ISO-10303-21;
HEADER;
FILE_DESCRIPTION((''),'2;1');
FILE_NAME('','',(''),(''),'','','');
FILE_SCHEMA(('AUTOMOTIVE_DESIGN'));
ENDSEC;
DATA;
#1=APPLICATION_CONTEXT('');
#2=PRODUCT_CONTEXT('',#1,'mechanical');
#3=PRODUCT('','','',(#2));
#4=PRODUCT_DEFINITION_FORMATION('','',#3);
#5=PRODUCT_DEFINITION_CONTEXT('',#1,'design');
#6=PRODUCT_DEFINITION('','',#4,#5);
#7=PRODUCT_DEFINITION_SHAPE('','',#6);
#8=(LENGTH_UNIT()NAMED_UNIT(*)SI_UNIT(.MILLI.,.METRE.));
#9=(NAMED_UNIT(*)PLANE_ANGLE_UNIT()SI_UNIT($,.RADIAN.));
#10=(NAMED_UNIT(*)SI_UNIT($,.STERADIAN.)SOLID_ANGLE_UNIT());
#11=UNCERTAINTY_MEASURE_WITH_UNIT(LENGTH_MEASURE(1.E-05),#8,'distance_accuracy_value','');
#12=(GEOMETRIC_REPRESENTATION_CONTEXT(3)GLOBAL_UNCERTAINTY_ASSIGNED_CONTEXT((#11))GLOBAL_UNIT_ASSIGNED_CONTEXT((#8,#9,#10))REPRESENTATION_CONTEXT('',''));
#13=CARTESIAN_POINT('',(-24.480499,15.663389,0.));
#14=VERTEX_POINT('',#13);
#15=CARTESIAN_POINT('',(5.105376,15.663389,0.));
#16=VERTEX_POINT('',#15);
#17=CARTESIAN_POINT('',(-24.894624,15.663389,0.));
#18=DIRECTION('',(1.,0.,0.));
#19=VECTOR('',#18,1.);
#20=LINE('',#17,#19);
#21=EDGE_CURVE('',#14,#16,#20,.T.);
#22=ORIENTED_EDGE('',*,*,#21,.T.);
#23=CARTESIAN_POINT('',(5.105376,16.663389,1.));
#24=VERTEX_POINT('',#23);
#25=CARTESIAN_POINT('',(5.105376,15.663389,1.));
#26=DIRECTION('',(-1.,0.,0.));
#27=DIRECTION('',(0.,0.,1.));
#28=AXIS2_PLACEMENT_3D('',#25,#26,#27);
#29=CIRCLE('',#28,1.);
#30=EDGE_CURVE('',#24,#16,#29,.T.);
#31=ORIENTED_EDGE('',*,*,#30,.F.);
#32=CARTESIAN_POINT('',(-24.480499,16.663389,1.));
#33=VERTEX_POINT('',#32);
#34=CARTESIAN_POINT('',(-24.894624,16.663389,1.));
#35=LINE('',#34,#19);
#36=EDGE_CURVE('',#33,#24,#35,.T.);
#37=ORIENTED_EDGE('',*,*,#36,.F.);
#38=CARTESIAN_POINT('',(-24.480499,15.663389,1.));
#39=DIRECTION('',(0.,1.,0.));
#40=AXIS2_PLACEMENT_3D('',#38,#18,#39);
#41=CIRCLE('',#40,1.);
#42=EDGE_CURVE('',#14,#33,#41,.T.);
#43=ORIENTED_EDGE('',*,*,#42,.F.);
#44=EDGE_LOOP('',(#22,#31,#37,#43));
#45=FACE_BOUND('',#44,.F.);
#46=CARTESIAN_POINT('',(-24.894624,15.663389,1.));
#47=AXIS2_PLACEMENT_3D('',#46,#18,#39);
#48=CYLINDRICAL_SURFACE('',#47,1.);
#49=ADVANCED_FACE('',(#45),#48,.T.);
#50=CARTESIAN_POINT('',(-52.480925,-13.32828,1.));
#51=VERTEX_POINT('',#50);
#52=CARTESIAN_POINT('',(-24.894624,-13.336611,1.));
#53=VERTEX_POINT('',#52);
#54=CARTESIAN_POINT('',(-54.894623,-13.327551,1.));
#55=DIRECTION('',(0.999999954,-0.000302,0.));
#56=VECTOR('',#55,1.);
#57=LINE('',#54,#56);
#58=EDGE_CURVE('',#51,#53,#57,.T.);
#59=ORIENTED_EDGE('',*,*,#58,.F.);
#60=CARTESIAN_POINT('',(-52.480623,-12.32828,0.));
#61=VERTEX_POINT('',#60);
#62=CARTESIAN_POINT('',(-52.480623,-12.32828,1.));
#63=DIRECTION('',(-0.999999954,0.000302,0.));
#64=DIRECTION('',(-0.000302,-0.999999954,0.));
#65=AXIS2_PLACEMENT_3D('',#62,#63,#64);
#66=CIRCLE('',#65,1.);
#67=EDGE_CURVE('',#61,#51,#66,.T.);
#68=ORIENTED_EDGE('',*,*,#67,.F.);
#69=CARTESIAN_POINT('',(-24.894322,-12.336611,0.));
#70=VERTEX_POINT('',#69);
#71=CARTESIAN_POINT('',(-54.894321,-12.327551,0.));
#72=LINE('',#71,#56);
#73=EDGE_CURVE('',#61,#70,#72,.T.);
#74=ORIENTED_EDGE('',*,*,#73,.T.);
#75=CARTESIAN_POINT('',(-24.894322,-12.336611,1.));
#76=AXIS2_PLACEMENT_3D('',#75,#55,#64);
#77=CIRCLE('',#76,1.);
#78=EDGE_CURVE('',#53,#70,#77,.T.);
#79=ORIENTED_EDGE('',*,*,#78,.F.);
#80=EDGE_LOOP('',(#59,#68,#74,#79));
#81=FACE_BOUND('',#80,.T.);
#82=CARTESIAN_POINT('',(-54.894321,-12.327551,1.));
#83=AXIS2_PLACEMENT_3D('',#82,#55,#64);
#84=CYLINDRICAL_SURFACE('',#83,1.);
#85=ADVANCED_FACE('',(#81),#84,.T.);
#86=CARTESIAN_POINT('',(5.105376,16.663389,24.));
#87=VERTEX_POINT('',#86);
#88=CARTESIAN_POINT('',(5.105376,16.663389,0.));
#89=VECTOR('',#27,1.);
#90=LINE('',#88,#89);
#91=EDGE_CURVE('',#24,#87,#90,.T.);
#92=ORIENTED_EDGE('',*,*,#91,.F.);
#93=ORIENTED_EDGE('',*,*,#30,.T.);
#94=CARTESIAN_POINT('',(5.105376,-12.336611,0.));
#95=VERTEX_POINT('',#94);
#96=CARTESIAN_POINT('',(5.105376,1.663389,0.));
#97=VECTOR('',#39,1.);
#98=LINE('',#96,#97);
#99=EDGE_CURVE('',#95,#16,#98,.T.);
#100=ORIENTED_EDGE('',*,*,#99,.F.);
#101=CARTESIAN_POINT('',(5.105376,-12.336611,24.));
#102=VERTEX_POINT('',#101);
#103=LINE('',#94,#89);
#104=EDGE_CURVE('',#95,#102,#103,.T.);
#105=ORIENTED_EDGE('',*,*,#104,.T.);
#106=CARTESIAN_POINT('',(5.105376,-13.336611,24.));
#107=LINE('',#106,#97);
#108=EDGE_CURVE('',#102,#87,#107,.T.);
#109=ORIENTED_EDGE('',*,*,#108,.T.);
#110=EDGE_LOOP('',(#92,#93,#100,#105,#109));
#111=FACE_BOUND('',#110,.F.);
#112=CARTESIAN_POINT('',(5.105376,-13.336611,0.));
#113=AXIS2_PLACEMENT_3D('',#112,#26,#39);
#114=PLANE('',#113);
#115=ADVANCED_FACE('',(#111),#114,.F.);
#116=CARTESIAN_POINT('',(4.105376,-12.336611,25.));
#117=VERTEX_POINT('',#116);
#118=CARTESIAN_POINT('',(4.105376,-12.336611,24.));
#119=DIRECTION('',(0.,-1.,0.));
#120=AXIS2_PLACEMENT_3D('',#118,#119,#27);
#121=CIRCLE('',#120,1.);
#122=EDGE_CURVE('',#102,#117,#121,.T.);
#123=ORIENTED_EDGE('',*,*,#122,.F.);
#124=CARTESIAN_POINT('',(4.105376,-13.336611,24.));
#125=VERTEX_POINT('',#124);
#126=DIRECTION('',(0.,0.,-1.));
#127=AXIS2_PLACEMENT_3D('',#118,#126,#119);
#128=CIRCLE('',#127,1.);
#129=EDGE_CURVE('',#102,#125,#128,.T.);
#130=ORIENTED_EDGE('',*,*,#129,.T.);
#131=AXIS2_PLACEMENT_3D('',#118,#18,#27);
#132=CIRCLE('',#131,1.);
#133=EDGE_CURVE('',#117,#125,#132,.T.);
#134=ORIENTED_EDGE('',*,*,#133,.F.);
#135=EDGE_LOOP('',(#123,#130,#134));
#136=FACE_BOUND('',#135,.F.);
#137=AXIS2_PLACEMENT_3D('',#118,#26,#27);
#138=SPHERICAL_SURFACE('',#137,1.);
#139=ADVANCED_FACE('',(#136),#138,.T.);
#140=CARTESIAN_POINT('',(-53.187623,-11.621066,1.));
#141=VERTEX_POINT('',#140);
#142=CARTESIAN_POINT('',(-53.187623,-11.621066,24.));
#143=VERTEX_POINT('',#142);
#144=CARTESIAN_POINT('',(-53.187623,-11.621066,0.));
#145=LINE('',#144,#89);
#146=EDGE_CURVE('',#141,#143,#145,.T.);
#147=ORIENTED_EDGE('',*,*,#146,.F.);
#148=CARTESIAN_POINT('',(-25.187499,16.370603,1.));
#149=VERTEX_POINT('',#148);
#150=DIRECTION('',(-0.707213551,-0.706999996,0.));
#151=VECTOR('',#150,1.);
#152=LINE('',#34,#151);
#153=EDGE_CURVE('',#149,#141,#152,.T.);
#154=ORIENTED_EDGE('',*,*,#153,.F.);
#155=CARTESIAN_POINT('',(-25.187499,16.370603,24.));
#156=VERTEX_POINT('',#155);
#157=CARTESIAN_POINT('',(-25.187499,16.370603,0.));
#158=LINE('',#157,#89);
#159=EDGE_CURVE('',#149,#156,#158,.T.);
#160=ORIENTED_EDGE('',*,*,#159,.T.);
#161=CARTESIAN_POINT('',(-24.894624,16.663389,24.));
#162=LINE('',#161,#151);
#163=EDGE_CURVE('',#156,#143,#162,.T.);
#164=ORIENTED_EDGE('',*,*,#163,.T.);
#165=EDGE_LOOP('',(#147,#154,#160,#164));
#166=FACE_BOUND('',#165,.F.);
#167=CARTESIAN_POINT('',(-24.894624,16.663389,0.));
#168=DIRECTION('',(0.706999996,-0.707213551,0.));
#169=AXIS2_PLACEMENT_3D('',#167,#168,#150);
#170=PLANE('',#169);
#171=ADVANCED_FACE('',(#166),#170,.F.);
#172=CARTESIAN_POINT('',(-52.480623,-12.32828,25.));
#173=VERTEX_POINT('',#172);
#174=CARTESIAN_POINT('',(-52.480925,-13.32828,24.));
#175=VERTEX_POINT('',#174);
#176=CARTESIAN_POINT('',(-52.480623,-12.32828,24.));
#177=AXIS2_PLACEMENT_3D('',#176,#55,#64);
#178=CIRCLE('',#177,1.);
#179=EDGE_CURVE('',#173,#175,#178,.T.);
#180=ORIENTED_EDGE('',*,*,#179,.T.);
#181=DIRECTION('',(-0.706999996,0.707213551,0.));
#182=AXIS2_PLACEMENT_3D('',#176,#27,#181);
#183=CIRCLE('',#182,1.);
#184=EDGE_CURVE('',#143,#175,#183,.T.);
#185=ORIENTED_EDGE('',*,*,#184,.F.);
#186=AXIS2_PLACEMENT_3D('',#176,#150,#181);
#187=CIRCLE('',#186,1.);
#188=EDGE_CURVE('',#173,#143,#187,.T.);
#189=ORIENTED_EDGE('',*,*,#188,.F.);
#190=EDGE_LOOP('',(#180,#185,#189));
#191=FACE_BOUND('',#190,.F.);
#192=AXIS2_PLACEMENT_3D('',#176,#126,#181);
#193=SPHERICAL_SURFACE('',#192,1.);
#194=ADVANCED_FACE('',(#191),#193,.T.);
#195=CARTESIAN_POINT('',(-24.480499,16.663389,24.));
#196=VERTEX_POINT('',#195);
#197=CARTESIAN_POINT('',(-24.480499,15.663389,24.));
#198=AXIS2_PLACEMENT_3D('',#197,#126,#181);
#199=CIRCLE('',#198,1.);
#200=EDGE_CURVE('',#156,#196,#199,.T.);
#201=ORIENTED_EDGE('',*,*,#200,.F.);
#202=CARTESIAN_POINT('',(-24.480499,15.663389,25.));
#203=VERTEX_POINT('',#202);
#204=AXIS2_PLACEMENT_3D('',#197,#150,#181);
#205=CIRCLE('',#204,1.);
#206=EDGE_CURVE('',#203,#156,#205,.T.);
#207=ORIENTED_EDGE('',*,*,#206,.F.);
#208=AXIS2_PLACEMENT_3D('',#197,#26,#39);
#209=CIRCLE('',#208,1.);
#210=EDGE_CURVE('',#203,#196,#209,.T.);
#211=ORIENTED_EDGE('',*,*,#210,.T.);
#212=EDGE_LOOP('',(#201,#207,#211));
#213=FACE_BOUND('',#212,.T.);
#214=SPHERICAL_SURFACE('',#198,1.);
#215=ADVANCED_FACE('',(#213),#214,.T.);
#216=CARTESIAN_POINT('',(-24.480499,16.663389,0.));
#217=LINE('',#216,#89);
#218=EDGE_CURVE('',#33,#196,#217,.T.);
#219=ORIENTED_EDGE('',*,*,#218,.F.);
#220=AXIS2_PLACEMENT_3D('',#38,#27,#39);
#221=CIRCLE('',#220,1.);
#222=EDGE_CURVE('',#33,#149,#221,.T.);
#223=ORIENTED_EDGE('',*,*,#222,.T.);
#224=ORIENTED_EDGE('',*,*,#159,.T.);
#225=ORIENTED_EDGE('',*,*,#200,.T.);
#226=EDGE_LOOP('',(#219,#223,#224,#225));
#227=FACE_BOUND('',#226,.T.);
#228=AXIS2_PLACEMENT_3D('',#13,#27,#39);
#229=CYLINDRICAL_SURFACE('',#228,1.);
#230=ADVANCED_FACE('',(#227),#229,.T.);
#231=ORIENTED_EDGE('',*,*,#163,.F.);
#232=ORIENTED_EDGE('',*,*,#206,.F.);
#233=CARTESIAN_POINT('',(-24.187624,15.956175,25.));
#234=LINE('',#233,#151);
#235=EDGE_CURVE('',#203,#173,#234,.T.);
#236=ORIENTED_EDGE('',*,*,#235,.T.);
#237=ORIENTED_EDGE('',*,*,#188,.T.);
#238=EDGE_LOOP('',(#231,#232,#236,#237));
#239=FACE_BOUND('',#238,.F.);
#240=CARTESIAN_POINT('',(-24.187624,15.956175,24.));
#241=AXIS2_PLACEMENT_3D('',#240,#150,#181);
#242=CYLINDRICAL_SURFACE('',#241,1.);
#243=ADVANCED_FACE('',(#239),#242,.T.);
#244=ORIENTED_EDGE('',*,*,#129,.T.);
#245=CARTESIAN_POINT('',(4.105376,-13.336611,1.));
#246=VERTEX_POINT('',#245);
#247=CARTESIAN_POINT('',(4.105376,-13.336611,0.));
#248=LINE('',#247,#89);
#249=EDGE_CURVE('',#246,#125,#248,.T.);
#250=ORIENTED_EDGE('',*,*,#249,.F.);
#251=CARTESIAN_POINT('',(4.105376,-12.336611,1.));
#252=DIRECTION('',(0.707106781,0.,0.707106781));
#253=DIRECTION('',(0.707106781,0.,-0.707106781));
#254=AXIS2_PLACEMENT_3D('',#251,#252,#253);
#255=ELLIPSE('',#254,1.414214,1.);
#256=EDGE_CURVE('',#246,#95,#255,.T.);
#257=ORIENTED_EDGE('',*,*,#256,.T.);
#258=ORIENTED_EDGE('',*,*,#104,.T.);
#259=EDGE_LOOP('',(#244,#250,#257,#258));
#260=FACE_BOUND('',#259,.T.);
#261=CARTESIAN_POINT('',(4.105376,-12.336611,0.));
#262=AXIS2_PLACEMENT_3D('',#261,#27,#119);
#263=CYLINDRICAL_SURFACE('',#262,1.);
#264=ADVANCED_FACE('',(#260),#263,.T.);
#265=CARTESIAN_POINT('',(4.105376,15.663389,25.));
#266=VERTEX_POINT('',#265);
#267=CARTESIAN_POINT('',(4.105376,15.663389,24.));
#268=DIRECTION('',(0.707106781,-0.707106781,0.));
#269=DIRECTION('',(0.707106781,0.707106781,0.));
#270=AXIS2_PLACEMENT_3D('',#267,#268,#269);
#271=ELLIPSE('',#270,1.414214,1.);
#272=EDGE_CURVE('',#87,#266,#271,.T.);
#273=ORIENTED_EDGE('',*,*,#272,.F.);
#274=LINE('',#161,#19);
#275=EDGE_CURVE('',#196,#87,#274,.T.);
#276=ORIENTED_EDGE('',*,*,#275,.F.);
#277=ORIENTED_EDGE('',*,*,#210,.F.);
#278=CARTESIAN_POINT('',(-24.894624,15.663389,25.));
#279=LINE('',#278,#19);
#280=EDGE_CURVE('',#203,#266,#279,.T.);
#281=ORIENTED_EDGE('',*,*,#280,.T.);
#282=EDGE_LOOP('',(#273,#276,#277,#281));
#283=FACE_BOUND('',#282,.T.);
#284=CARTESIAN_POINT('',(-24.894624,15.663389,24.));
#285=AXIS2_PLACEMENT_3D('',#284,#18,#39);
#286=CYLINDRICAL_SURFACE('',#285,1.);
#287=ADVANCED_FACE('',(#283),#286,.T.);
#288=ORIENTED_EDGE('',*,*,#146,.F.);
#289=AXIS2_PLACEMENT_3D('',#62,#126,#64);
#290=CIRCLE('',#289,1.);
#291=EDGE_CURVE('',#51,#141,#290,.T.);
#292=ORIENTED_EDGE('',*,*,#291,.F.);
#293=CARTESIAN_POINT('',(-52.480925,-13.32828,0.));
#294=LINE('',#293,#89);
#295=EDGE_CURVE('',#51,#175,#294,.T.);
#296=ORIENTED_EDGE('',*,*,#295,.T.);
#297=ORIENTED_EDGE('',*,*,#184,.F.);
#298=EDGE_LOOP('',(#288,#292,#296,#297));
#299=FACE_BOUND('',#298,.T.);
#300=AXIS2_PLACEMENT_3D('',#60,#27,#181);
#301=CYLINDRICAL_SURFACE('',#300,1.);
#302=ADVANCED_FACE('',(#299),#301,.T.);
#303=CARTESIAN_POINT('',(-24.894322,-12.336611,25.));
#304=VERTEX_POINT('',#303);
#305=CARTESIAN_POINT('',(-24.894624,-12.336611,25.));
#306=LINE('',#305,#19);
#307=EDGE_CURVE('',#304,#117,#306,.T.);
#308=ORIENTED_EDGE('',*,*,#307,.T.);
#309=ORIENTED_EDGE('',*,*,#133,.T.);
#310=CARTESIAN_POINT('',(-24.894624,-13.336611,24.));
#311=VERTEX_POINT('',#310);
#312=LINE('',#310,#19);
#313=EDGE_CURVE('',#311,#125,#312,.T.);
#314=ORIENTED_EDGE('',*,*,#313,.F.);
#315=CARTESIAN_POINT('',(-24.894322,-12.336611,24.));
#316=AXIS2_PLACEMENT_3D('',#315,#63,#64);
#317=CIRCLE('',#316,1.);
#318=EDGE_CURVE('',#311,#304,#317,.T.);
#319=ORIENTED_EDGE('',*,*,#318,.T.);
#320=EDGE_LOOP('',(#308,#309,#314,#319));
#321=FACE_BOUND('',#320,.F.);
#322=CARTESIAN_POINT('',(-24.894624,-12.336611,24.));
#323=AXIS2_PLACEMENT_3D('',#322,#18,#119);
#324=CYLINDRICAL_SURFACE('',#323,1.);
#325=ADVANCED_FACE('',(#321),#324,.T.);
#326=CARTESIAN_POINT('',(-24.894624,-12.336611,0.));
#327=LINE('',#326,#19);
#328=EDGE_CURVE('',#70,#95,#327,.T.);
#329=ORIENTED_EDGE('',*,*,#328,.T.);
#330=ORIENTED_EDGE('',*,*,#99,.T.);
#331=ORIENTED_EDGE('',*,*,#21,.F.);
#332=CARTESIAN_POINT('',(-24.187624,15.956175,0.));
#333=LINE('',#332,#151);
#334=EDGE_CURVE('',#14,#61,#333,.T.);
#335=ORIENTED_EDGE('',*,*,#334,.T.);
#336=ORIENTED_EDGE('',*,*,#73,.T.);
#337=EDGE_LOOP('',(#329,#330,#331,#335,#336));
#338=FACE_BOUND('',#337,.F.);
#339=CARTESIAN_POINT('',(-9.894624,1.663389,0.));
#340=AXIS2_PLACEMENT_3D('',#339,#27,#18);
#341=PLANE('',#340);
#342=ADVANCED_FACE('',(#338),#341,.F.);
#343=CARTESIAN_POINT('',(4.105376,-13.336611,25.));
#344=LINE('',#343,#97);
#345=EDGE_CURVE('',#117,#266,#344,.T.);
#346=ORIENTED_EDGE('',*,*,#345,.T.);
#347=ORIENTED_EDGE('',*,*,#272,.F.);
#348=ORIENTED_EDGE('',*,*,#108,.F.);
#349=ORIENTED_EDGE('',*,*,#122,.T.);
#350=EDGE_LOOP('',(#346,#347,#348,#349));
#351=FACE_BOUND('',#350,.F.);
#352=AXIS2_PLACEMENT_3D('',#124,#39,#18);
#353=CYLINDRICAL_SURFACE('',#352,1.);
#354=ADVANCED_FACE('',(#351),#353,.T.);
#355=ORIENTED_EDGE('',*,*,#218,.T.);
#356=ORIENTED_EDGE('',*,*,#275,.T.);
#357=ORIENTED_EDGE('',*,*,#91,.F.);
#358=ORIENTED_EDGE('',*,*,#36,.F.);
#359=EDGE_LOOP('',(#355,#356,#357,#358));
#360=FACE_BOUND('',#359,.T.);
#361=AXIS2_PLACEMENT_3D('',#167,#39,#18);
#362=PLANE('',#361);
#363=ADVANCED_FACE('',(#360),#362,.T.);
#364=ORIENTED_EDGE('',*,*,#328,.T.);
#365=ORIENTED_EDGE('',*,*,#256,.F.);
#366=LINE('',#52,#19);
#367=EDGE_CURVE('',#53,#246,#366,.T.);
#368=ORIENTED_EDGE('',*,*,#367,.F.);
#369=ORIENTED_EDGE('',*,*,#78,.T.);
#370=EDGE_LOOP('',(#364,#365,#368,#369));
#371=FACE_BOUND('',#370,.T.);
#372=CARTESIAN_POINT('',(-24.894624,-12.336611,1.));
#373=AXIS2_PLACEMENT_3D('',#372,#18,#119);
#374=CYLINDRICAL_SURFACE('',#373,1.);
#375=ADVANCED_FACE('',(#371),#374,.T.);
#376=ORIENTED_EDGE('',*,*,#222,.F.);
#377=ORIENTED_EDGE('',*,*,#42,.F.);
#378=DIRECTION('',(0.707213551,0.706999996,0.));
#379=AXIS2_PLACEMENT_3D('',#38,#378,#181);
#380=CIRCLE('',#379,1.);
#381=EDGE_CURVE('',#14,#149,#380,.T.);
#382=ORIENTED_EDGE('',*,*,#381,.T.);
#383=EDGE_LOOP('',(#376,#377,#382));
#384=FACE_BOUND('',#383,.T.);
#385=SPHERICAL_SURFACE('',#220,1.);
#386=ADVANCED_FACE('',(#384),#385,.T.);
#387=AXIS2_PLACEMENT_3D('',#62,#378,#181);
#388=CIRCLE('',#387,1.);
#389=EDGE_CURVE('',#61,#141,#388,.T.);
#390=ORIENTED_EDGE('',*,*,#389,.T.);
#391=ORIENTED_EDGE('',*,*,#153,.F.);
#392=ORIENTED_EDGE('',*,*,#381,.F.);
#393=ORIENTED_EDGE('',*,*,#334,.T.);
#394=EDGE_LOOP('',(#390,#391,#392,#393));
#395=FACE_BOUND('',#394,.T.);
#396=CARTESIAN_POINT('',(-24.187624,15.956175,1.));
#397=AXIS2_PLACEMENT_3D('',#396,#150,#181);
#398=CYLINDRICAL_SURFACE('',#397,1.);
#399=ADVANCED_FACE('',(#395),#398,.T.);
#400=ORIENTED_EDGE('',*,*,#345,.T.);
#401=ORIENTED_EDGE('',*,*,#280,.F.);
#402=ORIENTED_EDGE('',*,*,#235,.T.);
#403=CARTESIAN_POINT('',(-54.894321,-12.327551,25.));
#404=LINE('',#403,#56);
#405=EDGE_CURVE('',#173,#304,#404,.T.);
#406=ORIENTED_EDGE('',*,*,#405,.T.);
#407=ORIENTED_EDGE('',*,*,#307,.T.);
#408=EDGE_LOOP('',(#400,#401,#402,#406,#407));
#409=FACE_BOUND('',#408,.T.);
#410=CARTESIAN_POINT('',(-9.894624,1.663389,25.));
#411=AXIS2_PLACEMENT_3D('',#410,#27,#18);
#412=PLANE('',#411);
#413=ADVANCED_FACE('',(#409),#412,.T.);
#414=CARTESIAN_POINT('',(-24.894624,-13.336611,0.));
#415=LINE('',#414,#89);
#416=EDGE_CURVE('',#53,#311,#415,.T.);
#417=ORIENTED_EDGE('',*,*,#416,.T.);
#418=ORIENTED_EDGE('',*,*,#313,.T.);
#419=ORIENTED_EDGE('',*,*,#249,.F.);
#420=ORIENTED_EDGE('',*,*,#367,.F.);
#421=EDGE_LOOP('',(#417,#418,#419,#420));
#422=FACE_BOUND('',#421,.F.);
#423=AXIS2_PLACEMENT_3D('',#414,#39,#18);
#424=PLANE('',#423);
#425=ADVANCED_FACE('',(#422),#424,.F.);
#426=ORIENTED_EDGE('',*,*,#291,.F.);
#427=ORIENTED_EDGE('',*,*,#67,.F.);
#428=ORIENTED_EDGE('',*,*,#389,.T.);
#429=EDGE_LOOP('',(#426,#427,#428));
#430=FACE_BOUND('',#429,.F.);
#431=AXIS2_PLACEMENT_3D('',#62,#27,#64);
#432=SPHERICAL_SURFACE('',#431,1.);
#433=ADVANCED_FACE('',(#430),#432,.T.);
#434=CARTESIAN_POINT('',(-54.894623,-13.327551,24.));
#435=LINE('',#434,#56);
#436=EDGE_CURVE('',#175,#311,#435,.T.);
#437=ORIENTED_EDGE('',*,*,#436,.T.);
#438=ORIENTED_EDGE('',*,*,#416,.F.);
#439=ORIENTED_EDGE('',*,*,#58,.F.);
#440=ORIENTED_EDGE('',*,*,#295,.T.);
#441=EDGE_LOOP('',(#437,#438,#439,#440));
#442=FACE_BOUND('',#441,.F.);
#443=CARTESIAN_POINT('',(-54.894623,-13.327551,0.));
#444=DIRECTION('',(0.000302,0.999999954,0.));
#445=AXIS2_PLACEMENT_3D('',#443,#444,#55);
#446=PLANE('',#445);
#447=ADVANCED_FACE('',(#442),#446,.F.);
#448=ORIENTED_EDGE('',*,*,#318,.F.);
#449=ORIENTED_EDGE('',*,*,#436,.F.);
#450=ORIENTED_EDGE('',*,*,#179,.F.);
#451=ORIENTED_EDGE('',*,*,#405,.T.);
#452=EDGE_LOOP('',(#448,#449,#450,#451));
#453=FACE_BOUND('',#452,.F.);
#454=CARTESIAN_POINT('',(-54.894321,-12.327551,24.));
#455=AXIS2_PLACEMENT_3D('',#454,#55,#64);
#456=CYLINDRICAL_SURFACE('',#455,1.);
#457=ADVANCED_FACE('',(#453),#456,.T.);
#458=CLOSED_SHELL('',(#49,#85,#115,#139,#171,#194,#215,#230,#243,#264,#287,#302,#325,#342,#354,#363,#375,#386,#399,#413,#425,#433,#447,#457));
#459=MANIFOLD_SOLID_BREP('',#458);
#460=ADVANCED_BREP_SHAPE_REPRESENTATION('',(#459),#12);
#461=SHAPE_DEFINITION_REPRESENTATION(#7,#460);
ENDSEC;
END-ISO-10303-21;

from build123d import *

# Parameters (mm, degrees)
F0_W     = 30
F0_H     = 30
F1_DEPTH = 25
F2_R     = 1


with BuildPart() as f1:
    # F0 (on Top) → F1 (new body)
    with BuildSketch(Plane.XY):
        with Locations((-9.894624, 1.663389)):
            Rectangle(F0_W, F0_H)
        Polygon((-24.894624, -13.336611), (-24.894624, 16.663389), (-54.894623, -13.327551), align=None)
    extrude(amount=F1_DEPTH)

    # F2
    f2_edges = [f1.edges().sort_by_distance(p)[0] for p in [
        (-39.894624, 1.667919, 25),
        (-39.894624, -13.332081, 25),
        (-9.894624, -13.336611, 25),
        (-9.894624, 16.663389, 25),
        (5.105376, 1.663389, 25),
        (-54.894623, -13.327551, 12.5),
        (-39.894624, -13.332081, 0),
        (-9.894624, -13.336611, 0),
        (5.105376, -13.336611, 12.5),
        (-24.894624, -13.336611, 12.5),
        (-39.894624, 1.667919, 0),
        (-24.894624, 16.663389, 12.5),
        (-9.894624, 16.663389, 0),
    ]]
    fillet(f2_edges, radius=F2_R)


solid = f1.part
